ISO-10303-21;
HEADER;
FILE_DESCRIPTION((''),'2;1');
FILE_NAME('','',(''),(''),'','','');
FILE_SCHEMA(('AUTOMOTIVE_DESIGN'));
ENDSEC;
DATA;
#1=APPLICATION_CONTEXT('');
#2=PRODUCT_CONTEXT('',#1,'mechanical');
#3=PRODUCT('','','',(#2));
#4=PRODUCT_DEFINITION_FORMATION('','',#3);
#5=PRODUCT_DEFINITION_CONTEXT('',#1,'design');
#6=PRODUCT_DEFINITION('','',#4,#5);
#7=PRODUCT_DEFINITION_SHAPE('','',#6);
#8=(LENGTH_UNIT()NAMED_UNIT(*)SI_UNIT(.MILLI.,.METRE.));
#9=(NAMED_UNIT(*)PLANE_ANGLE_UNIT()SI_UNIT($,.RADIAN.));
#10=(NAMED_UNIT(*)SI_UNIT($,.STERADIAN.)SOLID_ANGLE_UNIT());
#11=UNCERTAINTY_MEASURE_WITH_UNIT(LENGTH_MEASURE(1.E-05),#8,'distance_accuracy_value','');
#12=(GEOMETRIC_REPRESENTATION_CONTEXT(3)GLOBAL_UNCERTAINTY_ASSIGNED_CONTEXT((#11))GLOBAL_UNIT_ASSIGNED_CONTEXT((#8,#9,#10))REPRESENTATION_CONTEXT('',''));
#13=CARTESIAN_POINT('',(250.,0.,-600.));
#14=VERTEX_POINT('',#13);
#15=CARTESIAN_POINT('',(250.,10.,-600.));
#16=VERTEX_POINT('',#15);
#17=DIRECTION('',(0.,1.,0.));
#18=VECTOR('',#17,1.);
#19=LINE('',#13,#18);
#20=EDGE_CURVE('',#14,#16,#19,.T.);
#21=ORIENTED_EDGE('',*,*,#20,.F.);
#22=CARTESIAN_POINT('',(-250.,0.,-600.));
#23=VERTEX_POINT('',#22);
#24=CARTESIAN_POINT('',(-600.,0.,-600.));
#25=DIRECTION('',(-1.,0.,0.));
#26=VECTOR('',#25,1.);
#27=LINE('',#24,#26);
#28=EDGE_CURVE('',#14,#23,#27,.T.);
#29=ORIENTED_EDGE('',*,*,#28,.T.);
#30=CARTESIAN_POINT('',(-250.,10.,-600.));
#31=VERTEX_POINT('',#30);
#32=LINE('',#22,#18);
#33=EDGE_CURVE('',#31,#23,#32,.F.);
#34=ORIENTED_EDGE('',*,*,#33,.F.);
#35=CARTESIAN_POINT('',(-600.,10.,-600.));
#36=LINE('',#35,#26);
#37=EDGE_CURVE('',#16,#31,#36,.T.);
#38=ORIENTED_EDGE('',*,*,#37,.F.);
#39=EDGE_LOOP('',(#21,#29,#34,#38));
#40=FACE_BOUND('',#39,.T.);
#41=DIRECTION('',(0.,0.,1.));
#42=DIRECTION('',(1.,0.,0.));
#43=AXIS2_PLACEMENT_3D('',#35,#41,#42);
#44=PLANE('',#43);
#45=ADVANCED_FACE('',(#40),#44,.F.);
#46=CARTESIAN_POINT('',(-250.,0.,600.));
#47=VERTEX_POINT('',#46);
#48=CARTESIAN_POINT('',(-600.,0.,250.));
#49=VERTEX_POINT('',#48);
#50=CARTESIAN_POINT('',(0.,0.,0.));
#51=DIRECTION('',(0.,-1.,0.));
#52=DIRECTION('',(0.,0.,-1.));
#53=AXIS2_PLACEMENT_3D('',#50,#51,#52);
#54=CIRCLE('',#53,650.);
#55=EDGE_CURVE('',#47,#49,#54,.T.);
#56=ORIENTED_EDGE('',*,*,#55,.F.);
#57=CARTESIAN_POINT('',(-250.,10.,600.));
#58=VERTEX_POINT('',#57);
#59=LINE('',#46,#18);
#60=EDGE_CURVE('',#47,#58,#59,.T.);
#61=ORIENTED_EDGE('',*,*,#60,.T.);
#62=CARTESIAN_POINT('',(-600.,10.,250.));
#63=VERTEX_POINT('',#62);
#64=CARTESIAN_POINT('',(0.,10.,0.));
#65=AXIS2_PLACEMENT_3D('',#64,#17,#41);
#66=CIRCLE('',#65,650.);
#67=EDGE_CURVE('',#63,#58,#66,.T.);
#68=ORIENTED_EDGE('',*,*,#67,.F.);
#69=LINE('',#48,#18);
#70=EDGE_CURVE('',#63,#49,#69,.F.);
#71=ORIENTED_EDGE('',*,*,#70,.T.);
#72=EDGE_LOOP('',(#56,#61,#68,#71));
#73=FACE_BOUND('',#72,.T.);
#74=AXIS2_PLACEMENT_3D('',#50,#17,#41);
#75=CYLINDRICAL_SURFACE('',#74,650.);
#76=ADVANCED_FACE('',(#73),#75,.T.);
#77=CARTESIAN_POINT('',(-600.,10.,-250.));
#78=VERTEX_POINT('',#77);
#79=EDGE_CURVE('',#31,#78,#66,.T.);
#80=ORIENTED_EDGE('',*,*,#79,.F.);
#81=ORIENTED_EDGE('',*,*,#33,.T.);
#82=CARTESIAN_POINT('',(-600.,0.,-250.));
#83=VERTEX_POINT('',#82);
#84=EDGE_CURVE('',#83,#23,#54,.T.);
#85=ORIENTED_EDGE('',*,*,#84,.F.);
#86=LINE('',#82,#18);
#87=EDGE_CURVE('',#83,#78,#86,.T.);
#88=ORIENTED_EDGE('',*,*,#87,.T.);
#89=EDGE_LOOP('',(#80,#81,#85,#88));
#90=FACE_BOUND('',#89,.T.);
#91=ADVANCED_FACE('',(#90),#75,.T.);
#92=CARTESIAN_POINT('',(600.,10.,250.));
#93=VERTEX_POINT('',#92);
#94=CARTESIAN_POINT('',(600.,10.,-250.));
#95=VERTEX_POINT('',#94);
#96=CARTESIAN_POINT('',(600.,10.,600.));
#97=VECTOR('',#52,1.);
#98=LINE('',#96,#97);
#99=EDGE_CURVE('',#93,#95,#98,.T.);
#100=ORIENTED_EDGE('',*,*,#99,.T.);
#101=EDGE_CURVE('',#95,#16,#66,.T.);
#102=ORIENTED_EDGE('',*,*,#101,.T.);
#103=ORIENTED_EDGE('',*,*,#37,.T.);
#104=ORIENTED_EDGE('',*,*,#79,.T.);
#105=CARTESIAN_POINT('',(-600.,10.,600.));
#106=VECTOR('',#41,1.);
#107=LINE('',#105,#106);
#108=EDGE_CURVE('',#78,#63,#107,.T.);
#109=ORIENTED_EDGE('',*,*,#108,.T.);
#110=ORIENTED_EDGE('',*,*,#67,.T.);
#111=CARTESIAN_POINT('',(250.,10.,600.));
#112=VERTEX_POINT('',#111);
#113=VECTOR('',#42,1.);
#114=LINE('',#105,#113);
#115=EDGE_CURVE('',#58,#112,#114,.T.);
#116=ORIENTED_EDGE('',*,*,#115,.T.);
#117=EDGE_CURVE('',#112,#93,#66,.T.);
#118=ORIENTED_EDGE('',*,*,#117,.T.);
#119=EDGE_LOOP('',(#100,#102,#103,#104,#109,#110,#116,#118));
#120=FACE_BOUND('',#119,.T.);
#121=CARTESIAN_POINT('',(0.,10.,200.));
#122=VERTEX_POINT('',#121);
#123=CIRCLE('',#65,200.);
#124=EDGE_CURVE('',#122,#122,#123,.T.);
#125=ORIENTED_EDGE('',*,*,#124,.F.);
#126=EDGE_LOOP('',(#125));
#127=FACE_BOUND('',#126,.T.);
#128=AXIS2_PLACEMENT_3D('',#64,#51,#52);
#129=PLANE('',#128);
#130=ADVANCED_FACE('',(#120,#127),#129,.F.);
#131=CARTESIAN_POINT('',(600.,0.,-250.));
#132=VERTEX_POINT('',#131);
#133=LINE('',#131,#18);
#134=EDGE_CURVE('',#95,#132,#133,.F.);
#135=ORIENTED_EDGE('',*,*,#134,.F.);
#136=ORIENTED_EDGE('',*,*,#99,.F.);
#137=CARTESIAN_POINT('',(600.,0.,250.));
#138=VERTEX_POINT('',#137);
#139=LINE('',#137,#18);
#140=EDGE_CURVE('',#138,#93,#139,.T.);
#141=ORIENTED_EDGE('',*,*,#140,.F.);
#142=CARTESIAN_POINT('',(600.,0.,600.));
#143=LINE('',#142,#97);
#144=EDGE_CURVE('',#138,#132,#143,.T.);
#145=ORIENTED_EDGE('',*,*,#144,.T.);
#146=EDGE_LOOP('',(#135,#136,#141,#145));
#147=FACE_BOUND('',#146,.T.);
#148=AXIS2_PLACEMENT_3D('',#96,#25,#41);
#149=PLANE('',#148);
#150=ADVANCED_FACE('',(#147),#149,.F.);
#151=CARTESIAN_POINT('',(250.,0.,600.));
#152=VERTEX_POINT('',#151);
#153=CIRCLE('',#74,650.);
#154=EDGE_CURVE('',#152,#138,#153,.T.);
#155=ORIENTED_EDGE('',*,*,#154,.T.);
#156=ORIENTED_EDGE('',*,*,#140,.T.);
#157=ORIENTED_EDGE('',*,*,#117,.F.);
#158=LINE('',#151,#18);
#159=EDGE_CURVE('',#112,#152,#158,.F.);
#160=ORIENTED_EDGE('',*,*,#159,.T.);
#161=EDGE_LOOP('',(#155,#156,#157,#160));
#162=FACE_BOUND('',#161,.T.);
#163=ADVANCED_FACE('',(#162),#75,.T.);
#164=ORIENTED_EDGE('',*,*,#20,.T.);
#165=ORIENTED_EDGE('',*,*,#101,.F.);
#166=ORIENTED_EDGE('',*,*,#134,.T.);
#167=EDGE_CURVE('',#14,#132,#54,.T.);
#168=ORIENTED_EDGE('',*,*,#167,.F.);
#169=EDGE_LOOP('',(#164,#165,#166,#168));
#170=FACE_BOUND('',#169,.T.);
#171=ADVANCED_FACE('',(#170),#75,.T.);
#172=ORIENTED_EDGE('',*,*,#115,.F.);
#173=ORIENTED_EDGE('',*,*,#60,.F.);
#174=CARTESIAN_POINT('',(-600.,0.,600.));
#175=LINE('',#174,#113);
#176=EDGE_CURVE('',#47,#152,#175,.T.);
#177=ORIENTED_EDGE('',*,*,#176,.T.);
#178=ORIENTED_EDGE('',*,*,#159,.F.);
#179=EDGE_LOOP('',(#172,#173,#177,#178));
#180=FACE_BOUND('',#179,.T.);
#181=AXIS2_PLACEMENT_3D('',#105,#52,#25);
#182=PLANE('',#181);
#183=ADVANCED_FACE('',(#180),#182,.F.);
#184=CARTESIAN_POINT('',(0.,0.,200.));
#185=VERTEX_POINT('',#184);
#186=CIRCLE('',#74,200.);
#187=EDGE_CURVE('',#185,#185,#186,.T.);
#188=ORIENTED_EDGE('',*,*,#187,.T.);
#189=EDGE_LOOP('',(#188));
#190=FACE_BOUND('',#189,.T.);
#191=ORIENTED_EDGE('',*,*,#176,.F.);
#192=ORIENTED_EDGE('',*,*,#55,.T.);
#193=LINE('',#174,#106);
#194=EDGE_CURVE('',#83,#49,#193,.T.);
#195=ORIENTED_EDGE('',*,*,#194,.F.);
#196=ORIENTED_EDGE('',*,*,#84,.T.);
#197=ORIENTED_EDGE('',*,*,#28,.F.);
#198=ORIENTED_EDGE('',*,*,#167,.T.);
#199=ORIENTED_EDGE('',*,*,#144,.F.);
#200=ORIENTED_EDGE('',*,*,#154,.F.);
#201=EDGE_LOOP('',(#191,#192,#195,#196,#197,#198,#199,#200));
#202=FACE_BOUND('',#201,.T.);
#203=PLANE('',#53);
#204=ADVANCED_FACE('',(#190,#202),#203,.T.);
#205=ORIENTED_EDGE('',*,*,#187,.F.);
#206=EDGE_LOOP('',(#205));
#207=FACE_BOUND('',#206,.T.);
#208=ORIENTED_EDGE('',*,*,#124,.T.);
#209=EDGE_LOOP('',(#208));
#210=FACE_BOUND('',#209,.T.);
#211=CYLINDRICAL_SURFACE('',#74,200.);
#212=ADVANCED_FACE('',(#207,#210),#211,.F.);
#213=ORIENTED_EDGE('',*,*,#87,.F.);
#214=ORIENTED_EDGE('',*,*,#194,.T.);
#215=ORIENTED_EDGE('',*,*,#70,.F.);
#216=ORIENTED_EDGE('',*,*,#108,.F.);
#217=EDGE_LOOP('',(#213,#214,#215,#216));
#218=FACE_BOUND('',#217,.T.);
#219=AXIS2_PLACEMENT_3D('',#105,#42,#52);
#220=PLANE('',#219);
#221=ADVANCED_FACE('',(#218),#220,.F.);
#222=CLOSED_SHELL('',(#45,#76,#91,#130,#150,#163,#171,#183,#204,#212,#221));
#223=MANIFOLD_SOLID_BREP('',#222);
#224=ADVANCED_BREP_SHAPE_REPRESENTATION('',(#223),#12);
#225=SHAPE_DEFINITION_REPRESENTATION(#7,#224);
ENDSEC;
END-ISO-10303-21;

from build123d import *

# Parameters (mm, degrees)
SKETCH1_W           = 1200
SKETCH1_H           = 1200
BOSS_EXTRUDE1_DEPTH = 10
SKETCH2_R           = 200
CUT_EXTRUDE1_DEPTH  = 11
SKETCH3_R           = 1053.62312192
SKETCH3_R_2         = 650
CUT_EXTRUDE2_DEPTH  = 11


with BuildPart() as part:
    # Sketch1 → Boss-Extrude1 (new body)
    with BuildSketch(Plane(origin=(0, 0, 0), x_dir=(1, 0, 0), z_dir=(0, 1, 0))):
        Rectangle(SKETCH1_W, SKETCH1_H)
    extrude(amount=BOSS_EXTRUDE1_DEPTH)

    # Sketch2 → Cut-Extrude1 (cut, through all)
    with BuildSketch(Plane(origin=(0, 10, 0), x_dir=(1, 0, 0), z_dir=(0, 1, 0))):
        Circle(SKETCH2_R)
    extrude(amount=-CUT_EXTRUDE1_DEPTH, mode=Mode.SUBTRACT)

    # Sketch3 → Cut-Extrude2 (cut, through all)
    with BuildSketch(Plane(origin=(0, 10, 0), x_dir=(1, 0, 0), z_dir=(0, 1, 0))):
        Circle(SKETCH3_R)
        Circle(SKETCH3_R_2, mode=Mode.SUBTRACT)
    extrude(amount=-CUT_EXTRUDE2_DEPTH, mode=Mode.SUBTRACT)


solid = part.part
